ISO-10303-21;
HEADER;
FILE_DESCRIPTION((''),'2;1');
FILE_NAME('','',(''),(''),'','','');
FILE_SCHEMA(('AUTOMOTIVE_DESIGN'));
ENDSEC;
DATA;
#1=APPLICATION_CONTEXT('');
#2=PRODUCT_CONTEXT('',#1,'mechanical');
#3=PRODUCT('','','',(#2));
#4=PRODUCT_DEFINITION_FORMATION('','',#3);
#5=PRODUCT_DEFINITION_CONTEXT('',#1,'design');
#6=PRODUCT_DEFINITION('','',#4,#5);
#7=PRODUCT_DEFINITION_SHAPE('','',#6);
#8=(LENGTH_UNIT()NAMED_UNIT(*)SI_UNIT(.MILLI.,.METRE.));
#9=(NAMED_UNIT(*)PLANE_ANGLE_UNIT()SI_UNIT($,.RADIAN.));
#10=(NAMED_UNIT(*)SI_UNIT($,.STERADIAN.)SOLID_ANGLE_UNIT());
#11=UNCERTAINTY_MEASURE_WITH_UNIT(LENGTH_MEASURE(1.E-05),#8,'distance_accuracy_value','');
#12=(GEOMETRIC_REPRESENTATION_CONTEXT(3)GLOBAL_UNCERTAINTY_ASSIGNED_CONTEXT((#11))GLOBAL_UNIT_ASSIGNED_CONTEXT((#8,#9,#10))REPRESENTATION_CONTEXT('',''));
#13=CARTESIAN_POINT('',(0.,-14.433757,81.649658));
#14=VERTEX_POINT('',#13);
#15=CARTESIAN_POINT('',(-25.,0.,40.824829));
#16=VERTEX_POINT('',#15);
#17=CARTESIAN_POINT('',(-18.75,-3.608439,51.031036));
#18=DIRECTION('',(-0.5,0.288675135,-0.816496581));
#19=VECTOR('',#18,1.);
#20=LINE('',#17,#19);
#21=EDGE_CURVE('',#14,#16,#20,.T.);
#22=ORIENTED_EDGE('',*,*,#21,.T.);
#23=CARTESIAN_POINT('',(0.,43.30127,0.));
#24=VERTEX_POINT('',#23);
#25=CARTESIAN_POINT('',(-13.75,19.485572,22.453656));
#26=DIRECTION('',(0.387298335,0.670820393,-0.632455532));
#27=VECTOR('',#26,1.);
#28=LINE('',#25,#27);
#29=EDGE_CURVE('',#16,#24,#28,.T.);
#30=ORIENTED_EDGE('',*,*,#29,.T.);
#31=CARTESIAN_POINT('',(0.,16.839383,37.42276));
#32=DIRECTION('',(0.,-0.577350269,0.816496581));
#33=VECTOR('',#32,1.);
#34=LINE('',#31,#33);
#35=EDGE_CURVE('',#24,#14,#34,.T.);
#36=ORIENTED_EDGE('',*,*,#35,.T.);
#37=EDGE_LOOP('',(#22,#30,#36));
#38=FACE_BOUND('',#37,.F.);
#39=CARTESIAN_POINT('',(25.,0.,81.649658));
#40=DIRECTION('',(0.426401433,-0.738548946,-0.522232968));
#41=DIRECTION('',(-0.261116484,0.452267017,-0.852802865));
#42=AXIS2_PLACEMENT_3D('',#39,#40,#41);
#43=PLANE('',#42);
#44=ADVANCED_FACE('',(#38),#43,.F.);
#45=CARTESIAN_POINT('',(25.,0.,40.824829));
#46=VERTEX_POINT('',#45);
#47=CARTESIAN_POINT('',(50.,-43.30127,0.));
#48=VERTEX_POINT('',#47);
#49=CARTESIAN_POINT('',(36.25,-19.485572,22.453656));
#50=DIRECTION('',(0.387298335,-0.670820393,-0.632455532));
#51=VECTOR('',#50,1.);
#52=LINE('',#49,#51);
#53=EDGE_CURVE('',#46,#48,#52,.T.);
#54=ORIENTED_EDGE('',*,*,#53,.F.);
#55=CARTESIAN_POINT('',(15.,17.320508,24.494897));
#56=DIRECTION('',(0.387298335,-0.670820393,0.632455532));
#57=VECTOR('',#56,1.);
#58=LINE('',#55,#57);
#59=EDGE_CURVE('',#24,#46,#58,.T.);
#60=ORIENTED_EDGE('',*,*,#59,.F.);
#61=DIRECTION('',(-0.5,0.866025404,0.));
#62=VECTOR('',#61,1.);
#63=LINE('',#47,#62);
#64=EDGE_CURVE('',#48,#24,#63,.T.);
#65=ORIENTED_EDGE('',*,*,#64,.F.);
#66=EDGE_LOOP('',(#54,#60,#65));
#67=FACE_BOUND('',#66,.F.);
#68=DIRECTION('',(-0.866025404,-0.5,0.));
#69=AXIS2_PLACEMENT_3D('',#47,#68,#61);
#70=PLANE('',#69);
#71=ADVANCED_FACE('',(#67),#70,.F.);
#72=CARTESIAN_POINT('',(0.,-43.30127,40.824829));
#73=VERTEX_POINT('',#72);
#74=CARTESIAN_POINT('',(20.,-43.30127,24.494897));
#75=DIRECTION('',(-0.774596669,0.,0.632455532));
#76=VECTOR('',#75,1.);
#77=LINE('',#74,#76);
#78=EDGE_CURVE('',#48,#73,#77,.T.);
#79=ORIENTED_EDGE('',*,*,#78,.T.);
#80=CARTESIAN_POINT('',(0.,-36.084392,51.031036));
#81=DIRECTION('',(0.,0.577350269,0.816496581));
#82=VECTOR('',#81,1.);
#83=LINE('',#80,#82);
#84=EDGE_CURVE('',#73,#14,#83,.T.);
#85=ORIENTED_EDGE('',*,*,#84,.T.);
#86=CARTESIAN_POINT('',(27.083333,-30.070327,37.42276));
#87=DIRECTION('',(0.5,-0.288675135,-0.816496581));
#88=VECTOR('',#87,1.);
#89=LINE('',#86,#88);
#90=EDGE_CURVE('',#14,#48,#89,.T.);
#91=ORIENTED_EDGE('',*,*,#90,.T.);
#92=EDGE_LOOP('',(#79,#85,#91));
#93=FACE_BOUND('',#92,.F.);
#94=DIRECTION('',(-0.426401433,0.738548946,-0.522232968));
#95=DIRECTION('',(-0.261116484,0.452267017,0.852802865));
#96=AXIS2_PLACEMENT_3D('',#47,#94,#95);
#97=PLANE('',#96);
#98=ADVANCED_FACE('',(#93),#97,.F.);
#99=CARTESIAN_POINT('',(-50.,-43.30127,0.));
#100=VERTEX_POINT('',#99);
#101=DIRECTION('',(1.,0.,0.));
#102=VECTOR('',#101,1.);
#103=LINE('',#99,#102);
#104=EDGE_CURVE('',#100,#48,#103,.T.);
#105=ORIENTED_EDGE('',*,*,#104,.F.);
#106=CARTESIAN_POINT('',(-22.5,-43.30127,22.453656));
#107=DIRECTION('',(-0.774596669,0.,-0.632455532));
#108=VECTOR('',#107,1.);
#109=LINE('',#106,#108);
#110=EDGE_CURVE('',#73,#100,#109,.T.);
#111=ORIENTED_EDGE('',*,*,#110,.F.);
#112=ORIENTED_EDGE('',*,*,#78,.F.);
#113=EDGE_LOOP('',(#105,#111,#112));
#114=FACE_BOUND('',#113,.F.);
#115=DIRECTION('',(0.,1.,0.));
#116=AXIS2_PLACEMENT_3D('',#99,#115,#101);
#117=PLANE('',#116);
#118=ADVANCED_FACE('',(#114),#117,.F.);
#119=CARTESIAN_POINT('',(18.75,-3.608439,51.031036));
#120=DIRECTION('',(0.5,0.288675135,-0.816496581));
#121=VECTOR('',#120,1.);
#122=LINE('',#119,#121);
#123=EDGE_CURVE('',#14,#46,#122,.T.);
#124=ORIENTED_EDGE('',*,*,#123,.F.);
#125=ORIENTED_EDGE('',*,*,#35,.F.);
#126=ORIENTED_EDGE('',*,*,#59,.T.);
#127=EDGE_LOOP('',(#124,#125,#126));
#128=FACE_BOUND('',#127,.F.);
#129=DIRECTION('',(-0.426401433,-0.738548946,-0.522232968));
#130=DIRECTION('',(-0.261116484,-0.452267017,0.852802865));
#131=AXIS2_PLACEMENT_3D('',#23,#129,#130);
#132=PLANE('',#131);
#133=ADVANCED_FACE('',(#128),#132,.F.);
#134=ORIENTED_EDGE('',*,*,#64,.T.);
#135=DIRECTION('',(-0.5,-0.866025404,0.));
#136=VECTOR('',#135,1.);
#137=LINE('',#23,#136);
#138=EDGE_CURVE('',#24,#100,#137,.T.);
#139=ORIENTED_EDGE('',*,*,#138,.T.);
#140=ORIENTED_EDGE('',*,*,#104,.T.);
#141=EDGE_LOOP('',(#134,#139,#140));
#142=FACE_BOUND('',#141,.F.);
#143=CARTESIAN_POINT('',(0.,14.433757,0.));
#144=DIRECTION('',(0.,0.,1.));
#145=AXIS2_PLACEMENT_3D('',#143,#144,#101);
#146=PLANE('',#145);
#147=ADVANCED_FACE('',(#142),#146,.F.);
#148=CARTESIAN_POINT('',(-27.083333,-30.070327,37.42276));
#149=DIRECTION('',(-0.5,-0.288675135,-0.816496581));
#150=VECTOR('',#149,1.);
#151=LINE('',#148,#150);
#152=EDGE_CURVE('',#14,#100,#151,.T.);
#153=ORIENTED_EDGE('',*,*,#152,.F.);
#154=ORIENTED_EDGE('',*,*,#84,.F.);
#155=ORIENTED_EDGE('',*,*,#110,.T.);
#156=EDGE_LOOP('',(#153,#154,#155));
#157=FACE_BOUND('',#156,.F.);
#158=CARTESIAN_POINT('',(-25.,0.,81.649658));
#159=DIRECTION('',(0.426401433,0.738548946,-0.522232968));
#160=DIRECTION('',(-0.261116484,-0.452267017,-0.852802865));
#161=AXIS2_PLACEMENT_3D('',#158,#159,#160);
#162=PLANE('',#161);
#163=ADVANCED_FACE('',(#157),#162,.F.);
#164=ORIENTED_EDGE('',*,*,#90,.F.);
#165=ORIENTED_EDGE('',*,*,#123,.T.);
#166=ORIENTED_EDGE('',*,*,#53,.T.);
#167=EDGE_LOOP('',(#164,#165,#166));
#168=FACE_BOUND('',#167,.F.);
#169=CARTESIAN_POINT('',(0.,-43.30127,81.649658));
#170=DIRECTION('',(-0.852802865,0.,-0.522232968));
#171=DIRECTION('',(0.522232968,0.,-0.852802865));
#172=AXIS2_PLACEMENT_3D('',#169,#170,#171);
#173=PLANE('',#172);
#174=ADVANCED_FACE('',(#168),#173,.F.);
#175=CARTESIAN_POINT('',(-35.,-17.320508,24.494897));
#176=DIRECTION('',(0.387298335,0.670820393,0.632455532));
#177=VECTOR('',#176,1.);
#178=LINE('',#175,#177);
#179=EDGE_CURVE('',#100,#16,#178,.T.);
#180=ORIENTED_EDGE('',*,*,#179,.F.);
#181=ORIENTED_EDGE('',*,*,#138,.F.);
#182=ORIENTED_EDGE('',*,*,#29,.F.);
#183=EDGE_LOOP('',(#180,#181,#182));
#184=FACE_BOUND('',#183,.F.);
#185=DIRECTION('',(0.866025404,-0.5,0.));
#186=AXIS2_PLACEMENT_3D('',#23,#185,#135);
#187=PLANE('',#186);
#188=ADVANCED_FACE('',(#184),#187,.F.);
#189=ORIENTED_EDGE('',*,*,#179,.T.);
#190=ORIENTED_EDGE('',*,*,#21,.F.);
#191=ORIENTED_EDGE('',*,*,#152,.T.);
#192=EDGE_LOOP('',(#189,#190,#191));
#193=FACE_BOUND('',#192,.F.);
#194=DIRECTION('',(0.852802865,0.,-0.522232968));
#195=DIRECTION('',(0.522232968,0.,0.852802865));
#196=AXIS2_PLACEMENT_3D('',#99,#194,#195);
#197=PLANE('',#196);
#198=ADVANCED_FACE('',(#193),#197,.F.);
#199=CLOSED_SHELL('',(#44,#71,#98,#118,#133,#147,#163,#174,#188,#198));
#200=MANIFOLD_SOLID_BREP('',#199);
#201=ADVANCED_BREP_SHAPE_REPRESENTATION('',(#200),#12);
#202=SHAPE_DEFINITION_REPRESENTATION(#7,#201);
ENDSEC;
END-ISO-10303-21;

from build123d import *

# Parameters (mm, degrees)
F1_DEPTH = 81.6496580928
F5_DEPTH = 100
F6_DEPTH = 100
F7_DEPTH = 100


with BuildPart() as f1:
    # F0 (on Top) → F1 (new body)
    with BuildSketch(Plane.XY):
        Polygon((-25, 0), (25, 0), (0, 43.3012701892), align=None)
        Polygon((-25, 0), (0, -43.3012701892), (25, 0), align=None)
        Polygon((-50, -43.3012701892), (0, -43.3012701892), (-25, 0), align=None)
        Polygon((0, -43.3012701892), (50, -43.3012701892), (25, 0), align=None)
    extrude(amount=F1_DEPTH)

    # F4 (on face) → F5 (cut)
    with BuildSketch(Plane(origin=(-18.75, 10.8253175473, 0), x_dir=(-0.5, -0.8660254038, 0), z_dir=(-0.8660254038, 0.5, 0))):
        Polygon((-37.5, 81.6496580928), (-37.5, 0), (12.5, 81.6496580928), align=None)
        Polygon((62.5, 81.6496580928), (12.5, 81.6496580928), (62.5, 0), align=None)
    extrude(amount=-F5_DEPTH, mode=Mode.SUBTRACT)

    # F2 (on face) → F6 (cut)
    with BuildSketch(Plane.XZ.offset(43.3012701892)):
        Polygon((-50, 81.6496580928), (-50, 0), (0, 81.6496580928), align=None)
        Polygon((50, 81.6496580928), (0, 81.6496580928), (50, 0), align=None)
    extrude(amount=-F6_DEPTH, mode=Mode.SUBTRACT)

    # F3 (on face) → F7 (cut)
    with BuildSketch(Plane(origin=(18.75, 10.8253175473, 0), x_dir=(-0.5, 0.8660254038, 0), z_dir=(0.8660254038, 0.5, 0))):
        Polygon((-62.5, 81.6496580928), (-62.5, 0), (-12.5, 81.6496580928), align=None)
        Polygon((37.5, 81.6496580928), (-12.5, 81.6496580928), (37.5, 0), align=None)
    extrude(amount=-F7_DEPTH, mode=Mode.SUBTRACT)


solid = f1.part
